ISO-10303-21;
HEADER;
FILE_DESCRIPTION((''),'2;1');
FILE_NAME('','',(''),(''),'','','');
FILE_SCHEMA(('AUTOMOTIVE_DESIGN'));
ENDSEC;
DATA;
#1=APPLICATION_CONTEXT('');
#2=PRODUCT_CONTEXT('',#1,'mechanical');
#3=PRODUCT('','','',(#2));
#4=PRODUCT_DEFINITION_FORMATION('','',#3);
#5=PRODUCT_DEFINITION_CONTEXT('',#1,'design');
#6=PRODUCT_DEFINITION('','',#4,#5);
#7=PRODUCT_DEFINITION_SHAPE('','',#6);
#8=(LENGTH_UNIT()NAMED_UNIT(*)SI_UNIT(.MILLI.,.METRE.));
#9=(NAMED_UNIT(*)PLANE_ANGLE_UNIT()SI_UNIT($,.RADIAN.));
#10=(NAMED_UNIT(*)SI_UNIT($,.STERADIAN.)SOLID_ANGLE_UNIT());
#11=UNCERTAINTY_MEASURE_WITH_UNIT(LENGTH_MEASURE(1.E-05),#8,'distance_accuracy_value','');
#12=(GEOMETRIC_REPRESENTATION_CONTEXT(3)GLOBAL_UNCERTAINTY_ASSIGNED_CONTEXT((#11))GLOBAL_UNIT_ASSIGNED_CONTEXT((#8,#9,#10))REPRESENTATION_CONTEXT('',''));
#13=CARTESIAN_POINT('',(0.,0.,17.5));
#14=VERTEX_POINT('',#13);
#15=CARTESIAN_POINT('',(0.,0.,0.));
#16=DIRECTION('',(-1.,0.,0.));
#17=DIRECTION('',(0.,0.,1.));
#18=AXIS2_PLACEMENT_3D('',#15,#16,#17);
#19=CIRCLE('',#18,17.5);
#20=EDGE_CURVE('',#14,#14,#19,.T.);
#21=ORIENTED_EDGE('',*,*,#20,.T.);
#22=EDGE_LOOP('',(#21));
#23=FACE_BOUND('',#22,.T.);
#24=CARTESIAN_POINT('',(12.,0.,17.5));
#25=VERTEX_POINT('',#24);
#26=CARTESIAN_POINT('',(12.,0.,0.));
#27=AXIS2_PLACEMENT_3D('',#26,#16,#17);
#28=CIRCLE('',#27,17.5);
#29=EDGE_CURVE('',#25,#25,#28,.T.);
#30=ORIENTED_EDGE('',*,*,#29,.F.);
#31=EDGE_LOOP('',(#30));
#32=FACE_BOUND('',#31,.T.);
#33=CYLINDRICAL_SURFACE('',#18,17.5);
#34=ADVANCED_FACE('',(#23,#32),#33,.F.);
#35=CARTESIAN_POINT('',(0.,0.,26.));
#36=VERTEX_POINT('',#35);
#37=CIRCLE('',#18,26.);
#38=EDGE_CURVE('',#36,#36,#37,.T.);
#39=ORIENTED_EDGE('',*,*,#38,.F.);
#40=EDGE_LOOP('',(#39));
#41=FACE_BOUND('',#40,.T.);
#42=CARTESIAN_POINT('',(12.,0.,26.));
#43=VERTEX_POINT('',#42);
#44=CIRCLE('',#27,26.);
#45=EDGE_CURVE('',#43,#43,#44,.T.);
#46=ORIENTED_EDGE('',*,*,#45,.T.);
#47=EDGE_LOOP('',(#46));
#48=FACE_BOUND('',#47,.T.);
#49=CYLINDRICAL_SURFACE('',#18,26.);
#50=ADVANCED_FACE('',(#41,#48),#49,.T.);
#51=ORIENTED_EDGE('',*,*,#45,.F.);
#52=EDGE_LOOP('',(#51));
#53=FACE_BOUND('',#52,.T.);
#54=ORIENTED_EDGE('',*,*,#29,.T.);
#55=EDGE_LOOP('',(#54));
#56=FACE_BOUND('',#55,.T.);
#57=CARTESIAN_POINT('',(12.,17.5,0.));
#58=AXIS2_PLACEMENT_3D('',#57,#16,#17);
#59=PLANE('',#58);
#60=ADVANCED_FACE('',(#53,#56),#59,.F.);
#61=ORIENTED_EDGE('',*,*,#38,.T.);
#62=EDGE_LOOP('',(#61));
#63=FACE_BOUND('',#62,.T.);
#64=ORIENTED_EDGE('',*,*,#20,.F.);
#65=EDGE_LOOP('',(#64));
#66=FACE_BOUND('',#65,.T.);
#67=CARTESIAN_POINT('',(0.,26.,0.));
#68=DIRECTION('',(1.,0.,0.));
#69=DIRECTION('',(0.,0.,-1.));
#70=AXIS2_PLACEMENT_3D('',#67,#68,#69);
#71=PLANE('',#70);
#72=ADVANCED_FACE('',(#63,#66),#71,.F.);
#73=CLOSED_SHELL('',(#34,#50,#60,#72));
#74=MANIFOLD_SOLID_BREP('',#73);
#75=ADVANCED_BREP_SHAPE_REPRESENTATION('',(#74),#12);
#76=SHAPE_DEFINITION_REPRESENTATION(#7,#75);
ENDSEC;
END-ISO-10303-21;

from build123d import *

# Parameters (mm, degrees)
SKETCH1_W = 12
SKETCH1_H = 8.5


with BuildPart() as part:
    # Sketch1 → Revolve1 (revolve)
    with BuildSketch(Plane.XY):
        with Locations((6, 21.75)):
            Rectangle(SKETCH1_W, SKETCH1_H)
    revolve(axis=Axis((0, 0, 0), (1, 0, 0)))


solid = part.part
